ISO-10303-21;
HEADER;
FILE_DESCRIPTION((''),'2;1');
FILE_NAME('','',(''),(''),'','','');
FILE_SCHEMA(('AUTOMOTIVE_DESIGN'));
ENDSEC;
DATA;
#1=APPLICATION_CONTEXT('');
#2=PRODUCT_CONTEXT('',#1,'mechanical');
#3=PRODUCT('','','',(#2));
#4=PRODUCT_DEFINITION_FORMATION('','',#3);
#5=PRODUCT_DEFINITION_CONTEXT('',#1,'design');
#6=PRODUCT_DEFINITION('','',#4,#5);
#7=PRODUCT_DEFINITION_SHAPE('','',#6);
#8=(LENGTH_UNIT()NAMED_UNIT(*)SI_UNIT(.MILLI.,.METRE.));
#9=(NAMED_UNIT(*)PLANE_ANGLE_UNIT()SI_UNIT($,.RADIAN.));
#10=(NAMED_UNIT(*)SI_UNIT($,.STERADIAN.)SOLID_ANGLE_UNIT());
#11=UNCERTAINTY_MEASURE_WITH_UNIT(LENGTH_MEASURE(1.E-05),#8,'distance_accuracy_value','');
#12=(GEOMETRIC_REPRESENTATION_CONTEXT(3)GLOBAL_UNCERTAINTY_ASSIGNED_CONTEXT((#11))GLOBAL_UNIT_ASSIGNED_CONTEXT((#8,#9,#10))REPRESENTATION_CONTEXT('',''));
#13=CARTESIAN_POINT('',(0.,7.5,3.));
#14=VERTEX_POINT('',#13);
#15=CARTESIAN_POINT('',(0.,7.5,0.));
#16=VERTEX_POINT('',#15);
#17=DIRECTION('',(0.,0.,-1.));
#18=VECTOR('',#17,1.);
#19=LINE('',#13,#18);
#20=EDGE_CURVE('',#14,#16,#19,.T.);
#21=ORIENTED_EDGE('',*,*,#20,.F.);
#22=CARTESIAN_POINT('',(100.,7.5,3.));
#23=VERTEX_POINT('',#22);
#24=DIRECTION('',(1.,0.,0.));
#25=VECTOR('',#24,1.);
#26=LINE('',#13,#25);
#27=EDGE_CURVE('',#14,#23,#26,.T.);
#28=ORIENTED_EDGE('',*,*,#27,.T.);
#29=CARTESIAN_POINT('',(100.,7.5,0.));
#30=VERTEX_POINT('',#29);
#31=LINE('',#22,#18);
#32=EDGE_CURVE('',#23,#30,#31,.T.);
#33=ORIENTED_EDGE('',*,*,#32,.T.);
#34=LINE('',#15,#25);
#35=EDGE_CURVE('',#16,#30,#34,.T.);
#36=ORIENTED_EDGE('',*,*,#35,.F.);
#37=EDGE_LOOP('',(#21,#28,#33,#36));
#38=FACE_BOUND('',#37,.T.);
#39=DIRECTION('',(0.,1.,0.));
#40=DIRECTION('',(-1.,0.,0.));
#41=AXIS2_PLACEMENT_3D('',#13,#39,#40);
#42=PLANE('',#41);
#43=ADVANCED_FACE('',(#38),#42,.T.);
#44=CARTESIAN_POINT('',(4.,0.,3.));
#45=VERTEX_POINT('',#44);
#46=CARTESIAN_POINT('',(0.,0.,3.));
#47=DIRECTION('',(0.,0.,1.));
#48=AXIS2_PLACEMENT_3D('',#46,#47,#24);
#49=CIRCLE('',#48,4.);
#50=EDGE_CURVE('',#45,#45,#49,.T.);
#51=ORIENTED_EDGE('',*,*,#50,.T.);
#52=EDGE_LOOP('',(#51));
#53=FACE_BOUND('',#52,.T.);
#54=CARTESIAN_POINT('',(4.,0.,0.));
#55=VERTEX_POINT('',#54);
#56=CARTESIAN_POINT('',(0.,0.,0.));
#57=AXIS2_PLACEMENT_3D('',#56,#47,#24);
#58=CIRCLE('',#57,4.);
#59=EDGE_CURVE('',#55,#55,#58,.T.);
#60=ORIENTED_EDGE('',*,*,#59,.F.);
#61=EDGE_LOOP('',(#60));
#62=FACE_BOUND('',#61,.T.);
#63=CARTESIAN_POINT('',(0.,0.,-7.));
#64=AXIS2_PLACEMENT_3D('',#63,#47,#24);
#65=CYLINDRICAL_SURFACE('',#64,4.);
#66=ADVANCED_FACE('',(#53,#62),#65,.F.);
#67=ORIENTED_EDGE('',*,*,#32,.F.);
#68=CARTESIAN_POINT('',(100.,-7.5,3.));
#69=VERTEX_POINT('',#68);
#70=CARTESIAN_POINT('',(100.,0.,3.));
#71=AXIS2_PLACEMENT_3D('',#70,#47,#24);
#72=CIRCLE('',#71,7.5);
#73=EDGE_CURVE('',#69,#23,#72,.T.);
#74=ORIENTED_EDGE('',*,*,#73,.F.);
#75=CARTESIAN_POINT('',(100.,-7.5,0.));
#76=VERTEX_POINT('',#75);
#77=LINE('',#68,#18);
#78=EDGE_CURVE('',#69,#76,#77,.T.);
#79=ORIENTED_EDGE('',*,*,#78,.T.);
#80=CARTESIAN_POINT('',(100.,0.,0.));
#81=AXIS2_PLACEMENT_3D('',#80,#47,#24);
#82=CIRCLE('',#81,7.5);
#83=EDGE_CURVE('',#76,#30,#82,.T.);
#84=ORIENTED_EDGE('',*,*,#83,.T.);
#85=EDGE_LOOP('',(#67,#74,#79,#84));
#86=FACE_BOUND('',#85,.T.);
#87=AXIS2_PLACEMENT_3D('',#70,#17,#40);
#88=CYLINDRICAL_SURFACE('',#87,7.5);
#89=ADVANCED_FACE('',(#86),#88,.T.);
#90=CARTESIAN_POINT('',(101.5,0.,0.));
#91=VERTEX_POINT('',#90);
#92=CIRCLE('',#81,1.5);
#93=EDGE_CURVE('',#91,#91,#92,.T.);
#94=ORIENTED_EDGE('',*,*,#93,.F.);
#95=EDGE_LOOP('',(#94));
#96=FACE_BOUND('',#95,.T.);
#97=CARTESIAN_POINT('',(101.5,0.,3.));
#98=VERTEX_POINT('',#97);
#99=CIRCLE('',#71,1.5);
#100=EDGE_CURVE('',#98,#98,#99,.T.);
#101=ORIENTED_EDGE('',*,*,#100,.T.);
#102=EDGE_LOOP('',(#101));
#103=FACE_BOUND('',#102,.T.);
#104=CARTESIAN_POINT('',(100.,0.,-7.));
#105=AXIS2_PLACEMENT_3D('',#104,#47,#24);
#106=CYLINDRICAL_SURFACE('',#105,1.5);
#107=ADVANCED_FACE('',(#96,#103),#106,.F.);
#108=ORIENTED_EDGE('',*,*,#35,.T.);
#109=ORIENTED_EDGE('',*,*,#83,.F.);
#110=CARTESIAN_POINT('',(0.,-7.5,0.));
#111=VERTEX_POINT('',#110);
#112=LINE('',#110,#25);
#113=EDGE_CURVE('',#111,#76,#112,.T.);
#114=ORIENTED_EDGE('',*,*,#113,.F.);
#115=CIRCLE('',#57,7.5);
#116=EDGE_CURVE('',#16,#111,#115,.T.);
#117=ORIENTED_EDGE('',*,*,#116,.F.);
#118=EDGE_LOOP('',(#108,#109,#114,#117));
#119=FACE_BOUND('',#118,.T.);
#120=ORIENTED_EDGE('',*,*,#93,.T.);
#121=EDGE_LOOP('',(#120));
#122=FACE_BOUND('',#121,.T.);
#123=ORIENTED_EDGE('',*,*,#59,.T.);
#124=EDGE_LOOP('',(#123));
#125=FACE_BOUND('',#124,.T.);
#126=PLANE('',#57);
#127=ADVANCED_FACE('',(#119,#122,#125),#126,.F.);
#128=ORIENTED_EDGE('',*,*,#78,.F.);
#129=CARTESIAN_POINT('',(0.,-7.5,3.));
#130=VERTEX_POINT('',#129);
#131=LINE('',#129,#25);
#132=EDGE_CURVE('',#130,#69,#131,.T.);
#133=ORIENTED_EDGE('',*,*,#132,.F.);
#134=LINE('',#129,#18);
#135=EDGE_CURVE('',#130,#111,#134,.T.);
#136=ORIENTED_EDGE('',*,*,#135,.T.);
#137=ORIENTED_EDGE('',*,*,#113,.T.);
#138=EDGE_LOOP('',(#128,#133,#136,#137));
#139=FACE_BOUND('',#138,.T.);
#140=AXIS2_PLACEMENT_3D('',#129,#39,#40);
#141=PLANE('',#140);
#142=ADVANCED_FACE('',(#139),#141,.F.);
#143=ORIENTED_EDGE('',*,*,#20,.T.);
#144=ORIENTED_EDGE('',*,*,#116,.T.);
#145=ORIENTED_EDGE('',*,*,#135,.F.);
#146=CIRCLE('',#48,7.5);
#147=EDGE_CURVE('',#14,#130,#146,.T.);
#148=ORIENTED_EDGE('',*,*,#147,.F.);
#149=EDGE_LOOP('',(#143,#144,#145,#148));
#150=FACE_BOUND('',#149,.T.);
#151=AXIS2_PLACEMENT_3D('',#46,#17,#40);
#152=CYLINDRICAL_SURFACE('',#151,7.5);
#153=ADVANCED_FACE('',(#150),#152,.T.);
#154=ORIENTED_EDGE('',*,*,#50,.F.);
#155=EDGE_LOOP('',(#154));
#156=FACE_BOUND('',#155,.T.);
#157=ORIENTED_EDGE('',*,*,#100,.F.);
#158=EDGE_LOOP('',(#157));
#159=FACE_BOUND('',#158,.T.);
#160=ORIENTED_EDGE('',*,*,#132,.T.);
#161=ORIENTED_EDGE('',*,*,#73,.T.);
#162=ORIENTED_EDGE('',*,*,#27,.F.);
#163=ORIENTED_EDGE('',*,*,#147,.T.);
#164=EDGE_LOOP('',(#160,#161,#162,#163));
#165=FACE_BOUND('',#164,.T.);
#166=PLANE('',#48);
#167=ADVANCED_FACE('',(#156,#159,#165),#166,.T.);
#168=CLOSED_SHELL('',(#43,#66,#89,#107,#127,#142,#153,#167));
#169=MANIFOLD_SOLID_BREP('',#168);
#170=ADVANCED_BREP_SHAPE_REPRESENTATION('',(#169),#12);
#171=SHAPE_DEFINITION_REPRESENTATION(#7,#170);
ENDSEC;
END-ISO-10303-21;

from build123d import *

# Parameters (mm, degrees)
BOSS_EXTRUDE1_DEPTH = 3
SKETCH2_R           = 4
SKETCH2_R_2         = 1.5
CUT_EXTRUDE1_DEPTH  = 10


with BuildPart() as part:
    # Sketch1 → Boss-Extrude1 (new body)
    with BuildSketch(Plane.XY):
        with BuildLine():
            Line((100, 7.5), (0, 7.5))
            ThreePointArc((0, 7.5), (-7.5, 0), (0, -7.5))
            Line((0, -7.5), (100, -7.5))
            ThreePointArc((100, -7.5), (107.5, 0), (100, 7.5))
        make_face()
    extrude(amount=BOSS_EXTRUDE1_DEPTH)

    # Sketch2 → Cut-Extrude1 (cut)
    with BuildSketch(Plane.XY.offset(3)):
        Circle(SKETCH2_R)
        with Locations((100, 0)):
            Circle(SKETCH2_R_2)
    extrude(amount=-CUT_EXTRUDE1_DEPTH, mode=Mode.SUBTRACT)


solid = part.part
